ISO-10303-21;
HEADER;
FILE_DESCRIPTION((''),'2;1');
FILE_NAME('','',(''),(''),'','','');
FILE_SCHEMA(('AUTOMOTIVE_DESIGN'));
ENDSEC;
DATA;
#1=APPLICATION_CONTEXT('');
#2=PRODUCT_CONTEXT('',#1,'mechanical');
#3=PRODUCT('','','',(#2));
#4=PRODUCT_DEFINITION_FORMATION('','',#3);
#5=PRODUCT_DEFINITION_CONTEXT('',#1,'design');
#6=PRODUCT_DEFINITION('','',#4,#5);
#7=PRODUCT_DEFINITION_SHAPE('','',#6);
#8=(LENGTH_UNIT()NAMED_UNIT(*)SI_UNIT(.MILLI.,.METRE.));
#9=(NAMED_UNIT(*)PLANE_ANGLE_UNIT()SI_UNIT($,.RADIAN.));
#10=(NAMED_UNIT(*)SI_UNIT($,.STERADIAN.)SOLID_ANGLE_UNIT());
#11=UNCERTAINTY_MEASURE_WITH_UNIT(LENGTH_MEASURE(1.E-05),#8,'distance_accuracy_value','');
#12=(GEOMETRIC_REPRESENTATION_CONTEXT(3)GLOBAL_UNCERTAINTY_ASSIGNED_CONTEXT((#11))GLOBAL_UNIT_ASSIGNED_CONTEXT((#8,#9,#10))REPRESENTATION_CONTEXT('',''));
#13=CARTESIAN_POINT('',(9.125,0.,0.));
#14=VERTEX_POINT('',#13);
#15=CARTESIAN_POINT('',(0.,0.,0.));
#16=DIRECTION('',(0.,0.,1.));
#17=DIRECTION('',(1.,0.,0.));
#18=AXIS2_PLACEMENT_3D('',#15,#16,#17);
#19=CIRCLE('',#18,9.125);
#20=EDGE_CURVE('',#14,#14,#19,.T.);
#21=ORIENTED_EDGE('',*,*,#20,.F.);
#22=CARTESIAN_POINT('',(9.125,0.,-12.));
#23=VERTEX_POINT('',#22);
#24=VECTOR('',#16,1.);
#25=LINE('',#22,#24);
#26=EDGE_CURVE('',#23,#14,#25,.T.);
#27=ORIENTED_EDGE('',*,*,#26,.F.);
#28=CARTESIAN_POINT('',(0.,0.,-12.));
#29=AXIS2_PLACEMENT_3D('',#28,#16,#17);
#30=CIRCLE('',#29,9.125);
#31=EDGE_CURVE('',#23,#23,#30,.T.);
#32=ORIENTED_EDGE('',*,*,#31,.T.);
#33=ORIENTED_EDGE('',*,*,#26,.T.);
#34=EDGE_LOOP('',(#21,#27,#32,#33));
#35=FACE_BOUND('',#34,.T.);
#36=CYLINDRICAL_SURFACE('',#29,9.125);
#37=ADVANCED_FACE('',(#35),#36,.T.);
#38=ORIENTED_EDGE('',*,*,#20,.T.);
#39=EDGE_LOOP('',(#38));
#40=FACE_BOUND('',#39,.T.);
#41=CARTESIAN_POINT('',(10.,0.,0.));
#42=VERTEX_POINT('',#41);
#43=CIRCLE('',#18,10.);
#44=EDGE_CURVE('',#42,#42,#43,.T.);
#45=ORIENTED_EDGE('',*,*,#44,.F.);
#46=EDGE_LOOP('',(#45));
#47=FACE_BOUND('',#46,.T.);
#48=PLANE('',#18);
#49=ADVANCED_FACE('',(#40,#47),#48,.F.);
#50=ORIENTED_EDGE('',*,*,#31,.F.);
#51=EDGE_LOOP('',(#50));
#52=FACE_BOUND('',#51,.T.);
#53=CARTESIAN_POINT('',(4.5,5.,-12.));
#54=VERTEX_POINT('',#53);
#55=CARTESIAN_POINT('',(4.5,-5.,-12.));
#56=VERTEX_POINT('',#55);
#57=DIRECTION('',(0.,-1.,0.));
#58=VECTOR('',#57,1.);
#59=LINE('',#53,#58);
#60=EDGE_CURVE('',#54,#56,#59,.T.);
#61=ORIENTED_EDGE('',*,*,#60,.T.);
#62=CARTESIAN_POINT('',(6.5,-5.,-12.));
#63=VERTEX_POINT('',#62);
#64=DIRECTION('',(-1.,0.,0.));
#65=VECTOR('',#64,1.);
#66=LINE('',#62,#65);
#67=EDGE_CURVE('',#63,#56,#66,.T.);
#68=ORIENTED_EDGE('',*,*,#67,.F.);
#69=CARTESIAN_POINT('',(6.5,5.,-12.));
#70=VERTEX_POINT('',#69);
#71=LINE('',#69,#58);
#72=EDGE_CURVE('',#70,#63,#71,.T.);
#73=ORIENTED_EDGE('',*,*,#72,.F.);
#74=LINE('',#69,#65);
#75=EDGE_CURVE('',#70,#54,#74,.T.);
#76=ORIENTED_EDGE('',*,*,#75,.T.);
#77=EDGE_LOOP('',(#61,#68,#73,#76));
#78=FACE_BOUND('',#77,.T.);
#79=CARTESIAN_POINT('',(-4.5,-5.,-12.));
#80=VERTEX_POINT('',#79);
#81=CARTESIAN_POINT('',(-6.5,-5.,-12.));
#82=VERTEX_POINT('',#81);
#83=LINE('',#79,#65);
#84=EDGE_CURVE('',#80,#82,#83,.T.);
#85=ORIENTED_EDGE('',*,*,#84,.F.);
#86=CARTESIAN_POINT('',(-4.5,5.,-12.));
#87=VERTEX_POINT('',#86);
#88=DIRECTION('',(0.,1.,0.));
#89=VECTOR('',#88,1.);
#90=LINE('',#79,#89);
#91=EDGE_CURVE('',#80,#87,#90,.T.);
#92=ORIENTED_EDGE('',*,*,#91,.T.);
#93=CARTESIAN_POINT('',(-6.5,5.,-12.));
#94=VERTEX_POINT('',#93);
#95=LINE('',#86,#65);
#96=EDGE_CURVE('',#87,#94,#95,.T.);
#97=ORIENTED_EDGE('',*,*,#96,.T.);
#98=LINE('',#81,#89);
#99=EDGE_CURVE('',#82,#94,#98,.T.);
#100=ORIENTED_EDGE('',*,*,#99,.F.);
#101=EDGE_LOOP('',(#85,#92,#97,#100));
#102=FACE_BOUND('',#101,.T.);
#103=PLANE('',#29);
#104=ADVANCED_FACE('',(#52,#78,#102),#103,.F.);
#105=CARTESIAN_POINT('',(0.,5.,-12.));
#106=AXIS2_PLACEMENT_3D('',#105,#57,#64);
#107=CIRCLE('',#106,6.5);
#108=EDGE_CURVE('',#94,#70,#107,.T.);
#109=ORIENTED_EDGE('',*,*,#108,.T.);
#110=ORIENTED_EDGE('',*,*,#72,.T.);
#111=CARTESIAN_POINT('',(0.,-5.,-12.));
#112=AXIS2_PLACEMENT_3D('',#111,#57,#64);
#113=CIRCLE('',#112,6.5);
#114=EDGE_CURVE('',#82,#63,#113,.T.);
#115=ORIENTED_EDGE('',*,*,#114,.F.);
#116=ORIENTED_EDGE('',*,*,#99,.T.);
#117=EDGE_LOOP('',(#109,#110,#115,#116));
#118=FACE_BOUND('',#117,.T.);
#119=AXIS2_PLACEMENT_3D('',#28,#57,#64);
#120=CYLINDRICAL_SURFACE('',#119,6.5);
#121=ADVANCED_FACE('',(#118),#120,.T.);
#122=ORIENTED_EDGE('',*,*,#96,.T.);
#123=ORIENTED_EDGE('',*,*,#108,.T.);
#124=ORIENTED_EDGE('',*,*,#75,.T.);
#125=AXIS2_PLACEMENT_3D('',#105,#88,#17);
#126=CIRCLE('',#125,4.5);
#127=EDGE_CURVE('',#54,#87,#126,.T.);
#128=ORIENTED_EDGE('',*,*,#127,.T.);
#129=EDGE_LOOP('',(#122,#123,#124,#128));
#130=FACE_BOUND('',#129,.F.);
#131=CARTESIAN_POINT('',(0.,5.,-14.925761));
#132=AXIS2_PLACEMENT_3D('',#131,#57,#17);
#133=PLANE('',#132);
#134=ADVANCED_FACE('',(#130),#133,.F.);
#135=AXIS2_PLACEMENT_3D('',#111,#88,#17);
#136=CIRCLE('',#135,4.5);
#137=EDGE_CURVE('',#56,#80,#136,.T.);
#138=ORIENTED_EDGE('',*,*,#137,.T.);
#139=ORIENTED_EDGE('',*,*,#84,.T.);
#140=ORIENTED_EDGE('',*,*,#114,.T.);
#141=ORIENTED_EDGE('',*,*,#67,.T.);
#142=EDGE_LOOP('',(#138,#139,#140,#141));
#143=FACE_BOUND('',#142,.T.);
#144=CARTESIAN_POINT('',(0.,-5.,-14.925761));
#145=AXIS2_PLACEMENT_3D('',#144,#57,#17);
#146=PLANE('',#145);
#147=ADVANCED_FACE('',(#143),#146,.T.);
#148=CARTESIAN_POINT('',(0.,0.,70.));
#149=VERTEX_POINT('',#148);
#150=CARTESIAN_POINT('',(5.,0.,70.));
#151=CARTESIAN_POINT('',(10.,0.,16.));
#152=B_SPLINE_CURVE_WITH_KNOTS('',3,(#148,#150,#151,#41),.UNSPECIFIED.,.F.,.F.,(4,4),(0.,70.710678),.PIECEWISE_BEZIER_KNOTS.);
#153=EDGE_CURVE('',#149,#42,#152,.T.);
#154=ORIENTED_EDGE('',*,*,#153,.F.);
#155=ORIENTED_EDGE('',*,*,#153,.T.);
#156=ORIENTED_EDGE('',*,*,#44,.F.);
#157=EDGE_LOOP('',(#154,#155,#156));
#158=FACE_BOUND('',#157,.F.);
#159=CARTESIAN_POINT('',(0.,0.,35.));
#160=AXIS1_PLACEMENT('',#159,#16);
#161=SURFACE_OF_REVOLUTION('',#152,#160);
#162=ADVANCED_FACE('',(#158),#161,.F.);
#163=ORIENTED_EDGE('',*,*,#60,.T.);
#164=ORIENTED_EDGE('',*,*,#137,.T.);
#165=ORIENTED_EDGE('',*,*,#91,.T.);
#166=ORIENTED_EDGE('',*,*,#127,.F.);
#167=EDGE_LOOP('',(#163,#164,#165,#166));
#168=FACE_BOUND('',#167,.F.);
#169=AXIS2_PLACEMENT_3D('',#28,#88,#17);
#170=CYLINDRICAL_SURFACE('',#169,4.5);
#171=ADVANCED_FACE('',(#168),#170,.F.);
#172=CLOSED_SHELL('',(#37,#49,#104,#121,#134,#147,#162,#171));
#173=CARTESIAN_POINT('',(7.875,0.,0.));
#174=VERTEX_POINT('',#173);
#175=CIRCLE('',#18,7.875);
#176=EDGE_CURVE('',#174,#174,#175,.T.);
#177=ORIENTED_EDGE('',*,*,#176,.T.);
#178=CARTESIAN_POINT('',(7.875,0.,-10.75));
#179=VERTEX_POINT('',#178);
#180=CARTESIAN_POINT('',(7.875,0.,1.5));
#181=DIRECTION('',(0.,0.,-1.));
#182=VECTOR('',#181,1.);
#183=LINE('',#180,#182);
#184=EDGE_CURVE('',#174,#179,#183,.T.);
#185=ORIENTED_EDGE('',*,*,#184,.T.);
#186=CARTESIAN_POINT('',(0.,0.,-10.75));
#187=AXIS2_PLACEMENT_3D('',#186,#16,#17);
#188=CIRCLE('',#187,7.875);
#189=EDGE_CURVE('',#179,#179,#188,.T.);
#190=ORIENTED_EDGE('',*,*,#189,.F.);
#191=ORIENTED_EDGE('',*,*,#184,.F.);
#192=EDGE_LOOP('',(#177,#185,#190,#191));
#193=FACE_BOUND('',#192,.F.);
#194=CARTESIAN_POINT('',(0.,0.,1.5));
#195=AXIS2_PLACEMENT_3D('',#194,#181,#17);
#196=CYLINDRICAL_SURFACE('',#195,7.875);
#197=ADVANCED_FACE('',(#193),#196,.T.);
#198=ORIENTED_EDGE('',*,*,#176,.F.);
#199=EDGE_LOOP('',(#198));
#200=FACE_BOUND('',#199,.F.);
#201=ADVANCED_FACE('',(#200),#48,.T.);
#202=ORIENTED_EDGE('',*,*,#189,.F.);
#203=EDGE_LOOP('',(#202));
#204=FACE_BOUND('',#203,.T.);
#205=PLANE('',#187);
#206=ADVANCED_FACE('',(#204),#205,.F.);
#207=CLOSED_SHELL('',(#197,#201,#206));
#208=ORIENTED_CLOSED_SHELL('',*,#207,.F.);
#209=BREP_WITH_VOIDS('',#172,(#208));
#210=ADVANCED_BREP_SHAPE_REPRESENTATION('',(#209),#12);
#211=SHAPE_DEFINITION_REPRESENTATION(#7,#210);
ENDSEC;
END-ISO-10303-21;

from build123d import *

# Parameters (mm, degrees)
F0_W          = 7.875
F0_H          = 1.25
F3_DEPTH      = 5
F3_DEPTH_BACK = 5


with BuildPart() as f1:
    # F0 (on Front) → F1 (revolve)
    with BuildSketch(Plane.XZ):
        with BuildLine():
            Line((0, 70), (0, 68.097363))
            add(Edge.make_bspline(
                [(0, 68.097363), (0.003592, 68.09113), (0.07337, 67.969303), (0.232892, 67.656501), (0.507646, 67.051925), (0.859518, 66.120844), (1.253078, 64.860289), (1.674236, 63.314783), (2.142845, 61.350268), (2.718045, 58.690644), (3.407742, 54.976126), (4.139755, 50.348117), (4.876793, 45.072361), (5.566387, 39.518896), (6.268445, 33.172377), (7.033795, 25.567699), (7.78545, 16.590048), (8.316298, 8.51723), (8.488766, 3.430609), (8.502319, 1.635654), (8.503069, 1.5)],
                knots=[0.805065, 0.805065, 0.805065, 0.805065, 0.826642, 1.226163, 1.857804, 2.818106, 4.209879, 5.818, 7.622868, 10.268131, 13.980579, 18.955129, 24.323545, 29.960928, 35.742836, 43.478942, 52.88949, 62.768847, 67.7471, 68.154084, 68.154084, 68.154084, 68.154084], degree=3))
            Line((8.503069, 1.5), (9.125, 1.5))
            Line((9.125, 1.5), (9.125, 0))
            Line((9.125, 0), (10, 0))
            add(Edge.make_bspline(
                [(0, 70), (5, 70), (10, 16), (10, 0)],
                knots=[0, 0, 0, 0, 70.710678, 70.710678, 70.710678, 70.710678], degree=3))
        make_face()
        Polygon((8.5, 0), (7.875, 0), (7.875, -10.75), (7.875, -12), (9.125, -12), (9.125, 0), align=None)
        with BuildLine():
            Line((9.125, 1.5), (8.503069, 1.5))
            add(Edge.make_bspline(
                [(8.503069, 1.5), (8.505834, 1.000035), (8.504876, 0.500036), (8.5, 0)],
                knots=[68.154084, 68.154084, 68.154084, 68.154084, 69.654056, 69.654056, 69.654056, 69.654056], degree=3))
            Line((8.5, 0), (9.125, 0))
            Line((9.125, 0), (9.125, 1.5))
        make_face()
        with BuildLine():
            Line((7.875, 1.5), (7.875, 0))
            Line((7.875, 0), (8.5, 0))
            add(Edge.make_bspline(
                [(8.503069, 1.5), (8.505834, 1.000035), (8.504876, 0.500036), (8.5, 0)],
                knots=[68.154084, 68.154084, 68.154084, 68.154084, 69.654056, 69.654056, 69.654056, 69.654056], degree=3))
            Line((8.503069, 1.5), (7.875, 1.5))
        make_face()
        with BuildLine():
            Line((0, 68.097363), (0, 0))
            Line((0, 0), (7.875, 0))
            Line((7.875, 0), (7.875, 1.5))
            Line((7.875, 1.5), (8.503069, 1.5))
            add(Edge.make_bspline(
                [(0, 68.097363), (0.003592, 68.09113), (0.07337, 67.969303), (0.232892, 67.656501), (0.507646, 67.051925), (0.859518, 66.120844), (1.253078, 64.860289), (1.674236, 63.314783), (2.142845, 61.350268), (2.718045, 58.690644), (3.407742, 54.976126), (4.139755, 50.348117), (4.876793, 45.072361), (5.566387, 39.518896), (6.268445, 33.172377), (7.033795, 25.567699), (7.78545, 16.590048), (8.316298, 8.51723), (8.488766, 3.430609), (8.502319, 1.635654), (8.503069, 1.5)],
                knots=[0.805065, 0.805065, 0.805065, 0.805065, 0.826642, 1.226163, 1.857804, 2.818106, 4.209879, 5.818, 7.622868, 10.268131, 13.980579, 18.955129, 24.323545, 29.960928, 35.742836, 43.478942, 52.88949, 62.768847, 67.7471, 68.154084, 68.154084, 68.154084, 68.154084], degree=3))
        make_face()
        with Locations((3.9375, -11.375)):
            Rectangle(F0_W, F0_H)
    revolve(axis=Axis((0, 0, 35), (0, 0, 1)))

    # F2 (on Front) → F3 (join, two sides)
    with BuildSketch(Plane.XZ) as f3_sk:
        with BuildLine():
            ThreePointArc((-6.5, -12), (0, -18.5), (6.5, -12))
            Line((6.5, -12), (4.5, -12))
            ThreePointArc((4.5, -12), (0, -16.5), (-4.5, -12))
            Line((-4.5, -12), (-6.5, -12))
        make_face()
    extrude(amount=F3_DEPTH)
    extrude(f3_sk.sketch, amount=-F3_DEPTH_BACK)


solid = f1.part
